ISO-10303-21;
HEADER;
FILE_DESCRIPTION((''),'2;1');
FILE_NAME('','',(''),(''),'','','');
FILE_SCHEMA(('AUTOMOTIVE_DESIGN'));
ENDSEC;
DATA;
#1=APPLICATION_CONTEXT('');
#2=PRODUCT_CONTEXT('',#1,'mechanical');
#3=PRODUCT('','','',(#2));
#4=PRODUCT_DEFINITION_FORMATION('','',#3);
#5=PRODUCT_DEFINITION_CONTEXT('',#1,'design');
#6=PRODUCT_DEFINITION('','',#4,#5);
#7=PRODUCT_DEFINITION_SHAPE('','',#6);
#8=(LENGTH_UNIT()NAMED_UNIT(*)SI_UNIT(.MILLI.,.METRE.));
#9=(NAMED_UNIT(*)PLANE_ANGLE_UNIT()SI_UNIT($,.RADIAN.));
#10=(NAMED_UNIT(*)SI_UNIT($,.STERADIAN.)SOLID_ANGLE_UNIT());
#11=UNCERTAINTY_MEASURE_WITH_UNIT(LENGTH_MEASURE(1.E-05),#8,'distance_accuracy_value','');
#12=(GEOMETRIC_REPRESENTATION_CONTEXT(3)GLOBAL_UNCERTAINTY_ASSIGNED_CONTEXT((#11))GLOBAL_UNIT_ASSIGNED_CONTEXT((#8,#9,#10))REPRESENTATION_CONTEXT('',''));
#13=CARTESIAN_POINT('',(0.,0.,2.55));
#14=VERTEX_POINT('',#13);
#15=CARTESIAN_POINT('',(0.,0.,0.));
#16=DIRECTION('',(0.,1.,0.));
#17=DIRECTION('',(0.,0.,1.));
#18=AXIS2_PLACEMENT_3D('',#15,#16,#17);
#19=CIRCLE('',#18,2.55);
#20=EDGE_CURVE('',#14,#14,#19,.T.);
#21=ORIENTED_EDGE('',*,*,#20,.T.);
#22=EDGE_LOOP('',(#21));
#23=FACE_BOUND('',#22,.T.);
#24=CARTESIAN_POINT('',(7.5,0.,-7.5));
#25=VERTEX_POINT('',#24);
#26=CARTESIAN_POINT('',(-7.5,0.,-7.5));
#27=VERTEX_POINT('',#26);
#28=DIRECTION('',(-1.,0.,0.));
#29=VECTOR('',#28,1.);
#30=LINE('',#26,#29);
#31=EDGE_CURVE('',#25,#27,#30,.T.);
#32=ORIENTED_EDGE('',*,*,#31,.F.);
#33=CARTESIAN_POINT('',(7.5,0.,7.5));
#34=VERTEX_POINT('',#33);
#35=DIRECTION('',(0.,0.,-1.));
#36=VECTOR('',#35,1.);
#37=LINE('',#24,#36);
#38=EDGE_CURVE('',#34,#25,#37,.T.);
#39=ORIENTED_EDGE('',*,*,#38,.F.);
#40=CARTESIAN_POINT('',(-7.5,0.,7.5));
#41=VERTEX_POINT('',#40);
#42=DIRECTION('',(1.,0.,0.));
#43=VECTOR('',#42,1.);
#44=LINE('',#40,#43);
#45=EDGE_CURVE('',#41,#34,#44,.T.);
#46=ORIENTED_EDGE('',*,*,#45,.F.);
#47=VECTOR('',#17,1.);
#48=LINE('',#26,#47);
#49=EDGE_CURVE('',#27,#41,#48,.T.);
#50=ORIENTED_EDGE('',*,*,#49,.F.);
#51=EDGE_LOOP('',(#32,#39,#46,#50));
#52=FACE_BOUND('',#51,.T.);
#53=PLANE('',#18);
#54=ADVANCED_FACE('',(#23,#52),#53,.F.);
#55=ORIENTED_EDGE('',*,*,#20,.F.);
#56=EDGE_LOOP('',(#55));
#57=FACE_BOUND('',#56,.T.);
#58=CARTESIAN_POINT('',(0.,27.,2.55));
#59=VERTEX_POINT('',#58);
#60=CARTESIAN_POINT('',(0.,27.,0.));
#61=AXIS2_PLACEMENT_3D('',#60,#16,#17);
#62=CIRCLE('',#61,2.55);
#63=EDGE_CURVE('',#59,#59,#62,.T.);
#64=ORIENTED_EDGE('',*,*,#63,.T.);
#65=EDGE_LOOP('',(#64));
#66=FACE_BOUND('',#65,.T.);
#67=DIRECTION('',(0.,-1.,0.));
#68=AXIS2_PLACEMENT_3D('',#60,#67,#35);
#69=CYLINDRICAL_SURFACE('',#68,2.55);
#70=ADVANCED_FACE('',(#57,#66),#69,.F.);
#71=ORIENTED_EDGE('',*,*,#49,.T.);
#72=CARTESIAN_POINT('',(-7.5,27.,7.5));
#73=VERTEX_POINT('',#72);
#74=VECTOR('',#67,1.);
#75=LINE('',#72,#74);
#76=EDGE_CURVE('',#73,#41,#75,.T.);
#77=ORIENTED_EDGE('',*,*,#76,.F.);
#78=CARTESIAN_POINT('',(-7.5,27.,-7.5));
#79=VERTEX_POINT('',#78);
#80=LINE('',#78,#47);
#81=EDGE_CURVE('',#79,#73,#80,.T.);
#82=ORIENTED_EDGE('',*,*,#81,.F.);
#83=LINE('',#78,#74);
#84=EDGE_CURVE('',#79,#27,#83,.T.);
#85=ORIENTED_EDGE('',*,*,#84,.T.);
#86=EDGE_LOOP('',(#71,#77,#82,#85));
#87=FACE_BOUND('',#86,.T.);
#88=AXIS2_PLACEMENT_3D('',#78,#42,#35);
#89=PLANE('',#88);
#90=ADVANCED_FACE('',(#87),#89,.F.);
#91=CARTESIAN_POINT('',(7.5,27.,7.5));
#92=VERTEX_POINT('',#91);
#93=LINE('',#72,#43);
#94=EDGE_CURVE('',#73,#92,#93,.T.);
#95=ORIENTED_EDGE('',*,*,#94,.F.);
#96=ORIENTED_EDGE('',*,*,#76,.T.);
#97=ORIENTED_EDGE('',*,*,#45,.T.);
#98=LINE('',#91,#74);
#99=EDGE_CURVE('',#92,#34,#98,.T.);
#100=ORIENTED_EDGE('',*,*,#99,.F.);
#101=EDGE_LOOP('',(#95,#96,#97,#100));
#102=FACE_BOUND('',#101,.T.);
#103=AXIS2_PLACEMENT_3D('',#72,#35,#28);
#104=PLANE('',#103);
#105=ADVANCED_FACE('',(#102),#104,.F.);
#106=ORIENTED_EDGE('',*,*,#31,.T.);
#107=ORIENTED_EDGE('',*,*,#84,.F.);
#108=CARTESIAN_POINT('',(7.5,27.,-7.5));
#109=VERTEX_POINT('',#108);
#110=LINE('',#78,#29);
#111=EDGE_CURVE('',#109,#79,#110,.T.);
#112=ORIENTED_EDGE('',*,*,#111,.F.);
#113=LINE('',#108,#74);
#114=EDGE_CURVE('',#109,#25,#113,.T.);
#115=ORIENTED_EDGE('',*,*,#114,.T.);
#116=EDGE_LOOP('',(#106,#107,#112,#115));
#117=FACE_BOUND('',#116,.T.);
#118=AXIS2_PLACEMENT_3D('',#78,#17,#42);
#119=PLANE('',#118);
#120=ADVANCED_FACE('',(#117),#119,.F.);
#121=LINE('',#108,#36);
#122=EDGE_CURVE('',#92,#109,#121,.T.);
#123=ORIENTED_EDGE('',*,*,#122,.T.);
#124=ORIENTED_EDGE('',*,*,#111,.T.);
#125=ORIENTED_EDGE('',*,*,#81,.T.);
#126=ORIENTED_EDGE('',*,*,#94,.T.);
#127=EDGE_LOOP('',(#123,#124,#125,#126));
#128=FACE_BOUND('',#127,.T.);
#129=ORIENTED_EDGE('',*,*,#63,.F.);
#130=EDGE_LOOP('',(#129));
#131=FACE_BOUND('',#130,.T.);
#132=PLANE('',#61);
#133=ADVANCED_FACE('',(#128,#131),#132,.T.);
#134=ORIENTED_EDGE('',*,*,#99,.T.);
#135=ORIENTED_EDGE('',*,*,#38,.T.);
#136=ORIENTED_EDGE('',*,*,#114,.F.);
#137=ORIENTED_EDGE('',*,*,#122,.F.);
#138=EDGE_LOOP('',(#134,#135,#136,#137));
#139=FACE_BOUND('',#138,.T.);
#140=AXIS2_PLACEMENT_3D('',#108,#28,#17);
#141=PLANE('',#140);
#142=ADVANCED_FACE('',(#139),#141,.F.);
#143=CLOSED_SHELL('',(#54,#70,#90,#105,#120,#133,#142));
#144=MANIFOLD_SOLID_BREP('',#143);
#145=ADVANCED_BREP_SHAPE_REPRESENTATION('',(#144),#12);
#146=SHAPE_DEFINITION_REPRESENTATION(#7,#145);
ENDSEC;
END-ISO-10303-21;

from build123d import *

# Parameters (mm, degrees)
SKETCH2_W           = 15
SKETCH2_H           = 15
SKETCH2_R           = 2.55
BOSS_EXTRUDE1_DEPTH = 27


with BuildPart() as part:
    # Sketch2 → Boss-Extrude1 (new body)
    with BuildSketch(Plane(origin=(0, 0, 0), x_dir=(1, 0, 0), z_dir=(0, 1, 0))):
        Rectangle(SKETCH2_W, SKETCH2_H)
        with Locations(Location((0, 0, 0), (0, 0, 270))):
            Circle(SKETCH2_R, mode=Mode.SUBTRACT)
    extrude(amount=BOSS_EXTRUDE1_DEPTH)


solid = part.part
